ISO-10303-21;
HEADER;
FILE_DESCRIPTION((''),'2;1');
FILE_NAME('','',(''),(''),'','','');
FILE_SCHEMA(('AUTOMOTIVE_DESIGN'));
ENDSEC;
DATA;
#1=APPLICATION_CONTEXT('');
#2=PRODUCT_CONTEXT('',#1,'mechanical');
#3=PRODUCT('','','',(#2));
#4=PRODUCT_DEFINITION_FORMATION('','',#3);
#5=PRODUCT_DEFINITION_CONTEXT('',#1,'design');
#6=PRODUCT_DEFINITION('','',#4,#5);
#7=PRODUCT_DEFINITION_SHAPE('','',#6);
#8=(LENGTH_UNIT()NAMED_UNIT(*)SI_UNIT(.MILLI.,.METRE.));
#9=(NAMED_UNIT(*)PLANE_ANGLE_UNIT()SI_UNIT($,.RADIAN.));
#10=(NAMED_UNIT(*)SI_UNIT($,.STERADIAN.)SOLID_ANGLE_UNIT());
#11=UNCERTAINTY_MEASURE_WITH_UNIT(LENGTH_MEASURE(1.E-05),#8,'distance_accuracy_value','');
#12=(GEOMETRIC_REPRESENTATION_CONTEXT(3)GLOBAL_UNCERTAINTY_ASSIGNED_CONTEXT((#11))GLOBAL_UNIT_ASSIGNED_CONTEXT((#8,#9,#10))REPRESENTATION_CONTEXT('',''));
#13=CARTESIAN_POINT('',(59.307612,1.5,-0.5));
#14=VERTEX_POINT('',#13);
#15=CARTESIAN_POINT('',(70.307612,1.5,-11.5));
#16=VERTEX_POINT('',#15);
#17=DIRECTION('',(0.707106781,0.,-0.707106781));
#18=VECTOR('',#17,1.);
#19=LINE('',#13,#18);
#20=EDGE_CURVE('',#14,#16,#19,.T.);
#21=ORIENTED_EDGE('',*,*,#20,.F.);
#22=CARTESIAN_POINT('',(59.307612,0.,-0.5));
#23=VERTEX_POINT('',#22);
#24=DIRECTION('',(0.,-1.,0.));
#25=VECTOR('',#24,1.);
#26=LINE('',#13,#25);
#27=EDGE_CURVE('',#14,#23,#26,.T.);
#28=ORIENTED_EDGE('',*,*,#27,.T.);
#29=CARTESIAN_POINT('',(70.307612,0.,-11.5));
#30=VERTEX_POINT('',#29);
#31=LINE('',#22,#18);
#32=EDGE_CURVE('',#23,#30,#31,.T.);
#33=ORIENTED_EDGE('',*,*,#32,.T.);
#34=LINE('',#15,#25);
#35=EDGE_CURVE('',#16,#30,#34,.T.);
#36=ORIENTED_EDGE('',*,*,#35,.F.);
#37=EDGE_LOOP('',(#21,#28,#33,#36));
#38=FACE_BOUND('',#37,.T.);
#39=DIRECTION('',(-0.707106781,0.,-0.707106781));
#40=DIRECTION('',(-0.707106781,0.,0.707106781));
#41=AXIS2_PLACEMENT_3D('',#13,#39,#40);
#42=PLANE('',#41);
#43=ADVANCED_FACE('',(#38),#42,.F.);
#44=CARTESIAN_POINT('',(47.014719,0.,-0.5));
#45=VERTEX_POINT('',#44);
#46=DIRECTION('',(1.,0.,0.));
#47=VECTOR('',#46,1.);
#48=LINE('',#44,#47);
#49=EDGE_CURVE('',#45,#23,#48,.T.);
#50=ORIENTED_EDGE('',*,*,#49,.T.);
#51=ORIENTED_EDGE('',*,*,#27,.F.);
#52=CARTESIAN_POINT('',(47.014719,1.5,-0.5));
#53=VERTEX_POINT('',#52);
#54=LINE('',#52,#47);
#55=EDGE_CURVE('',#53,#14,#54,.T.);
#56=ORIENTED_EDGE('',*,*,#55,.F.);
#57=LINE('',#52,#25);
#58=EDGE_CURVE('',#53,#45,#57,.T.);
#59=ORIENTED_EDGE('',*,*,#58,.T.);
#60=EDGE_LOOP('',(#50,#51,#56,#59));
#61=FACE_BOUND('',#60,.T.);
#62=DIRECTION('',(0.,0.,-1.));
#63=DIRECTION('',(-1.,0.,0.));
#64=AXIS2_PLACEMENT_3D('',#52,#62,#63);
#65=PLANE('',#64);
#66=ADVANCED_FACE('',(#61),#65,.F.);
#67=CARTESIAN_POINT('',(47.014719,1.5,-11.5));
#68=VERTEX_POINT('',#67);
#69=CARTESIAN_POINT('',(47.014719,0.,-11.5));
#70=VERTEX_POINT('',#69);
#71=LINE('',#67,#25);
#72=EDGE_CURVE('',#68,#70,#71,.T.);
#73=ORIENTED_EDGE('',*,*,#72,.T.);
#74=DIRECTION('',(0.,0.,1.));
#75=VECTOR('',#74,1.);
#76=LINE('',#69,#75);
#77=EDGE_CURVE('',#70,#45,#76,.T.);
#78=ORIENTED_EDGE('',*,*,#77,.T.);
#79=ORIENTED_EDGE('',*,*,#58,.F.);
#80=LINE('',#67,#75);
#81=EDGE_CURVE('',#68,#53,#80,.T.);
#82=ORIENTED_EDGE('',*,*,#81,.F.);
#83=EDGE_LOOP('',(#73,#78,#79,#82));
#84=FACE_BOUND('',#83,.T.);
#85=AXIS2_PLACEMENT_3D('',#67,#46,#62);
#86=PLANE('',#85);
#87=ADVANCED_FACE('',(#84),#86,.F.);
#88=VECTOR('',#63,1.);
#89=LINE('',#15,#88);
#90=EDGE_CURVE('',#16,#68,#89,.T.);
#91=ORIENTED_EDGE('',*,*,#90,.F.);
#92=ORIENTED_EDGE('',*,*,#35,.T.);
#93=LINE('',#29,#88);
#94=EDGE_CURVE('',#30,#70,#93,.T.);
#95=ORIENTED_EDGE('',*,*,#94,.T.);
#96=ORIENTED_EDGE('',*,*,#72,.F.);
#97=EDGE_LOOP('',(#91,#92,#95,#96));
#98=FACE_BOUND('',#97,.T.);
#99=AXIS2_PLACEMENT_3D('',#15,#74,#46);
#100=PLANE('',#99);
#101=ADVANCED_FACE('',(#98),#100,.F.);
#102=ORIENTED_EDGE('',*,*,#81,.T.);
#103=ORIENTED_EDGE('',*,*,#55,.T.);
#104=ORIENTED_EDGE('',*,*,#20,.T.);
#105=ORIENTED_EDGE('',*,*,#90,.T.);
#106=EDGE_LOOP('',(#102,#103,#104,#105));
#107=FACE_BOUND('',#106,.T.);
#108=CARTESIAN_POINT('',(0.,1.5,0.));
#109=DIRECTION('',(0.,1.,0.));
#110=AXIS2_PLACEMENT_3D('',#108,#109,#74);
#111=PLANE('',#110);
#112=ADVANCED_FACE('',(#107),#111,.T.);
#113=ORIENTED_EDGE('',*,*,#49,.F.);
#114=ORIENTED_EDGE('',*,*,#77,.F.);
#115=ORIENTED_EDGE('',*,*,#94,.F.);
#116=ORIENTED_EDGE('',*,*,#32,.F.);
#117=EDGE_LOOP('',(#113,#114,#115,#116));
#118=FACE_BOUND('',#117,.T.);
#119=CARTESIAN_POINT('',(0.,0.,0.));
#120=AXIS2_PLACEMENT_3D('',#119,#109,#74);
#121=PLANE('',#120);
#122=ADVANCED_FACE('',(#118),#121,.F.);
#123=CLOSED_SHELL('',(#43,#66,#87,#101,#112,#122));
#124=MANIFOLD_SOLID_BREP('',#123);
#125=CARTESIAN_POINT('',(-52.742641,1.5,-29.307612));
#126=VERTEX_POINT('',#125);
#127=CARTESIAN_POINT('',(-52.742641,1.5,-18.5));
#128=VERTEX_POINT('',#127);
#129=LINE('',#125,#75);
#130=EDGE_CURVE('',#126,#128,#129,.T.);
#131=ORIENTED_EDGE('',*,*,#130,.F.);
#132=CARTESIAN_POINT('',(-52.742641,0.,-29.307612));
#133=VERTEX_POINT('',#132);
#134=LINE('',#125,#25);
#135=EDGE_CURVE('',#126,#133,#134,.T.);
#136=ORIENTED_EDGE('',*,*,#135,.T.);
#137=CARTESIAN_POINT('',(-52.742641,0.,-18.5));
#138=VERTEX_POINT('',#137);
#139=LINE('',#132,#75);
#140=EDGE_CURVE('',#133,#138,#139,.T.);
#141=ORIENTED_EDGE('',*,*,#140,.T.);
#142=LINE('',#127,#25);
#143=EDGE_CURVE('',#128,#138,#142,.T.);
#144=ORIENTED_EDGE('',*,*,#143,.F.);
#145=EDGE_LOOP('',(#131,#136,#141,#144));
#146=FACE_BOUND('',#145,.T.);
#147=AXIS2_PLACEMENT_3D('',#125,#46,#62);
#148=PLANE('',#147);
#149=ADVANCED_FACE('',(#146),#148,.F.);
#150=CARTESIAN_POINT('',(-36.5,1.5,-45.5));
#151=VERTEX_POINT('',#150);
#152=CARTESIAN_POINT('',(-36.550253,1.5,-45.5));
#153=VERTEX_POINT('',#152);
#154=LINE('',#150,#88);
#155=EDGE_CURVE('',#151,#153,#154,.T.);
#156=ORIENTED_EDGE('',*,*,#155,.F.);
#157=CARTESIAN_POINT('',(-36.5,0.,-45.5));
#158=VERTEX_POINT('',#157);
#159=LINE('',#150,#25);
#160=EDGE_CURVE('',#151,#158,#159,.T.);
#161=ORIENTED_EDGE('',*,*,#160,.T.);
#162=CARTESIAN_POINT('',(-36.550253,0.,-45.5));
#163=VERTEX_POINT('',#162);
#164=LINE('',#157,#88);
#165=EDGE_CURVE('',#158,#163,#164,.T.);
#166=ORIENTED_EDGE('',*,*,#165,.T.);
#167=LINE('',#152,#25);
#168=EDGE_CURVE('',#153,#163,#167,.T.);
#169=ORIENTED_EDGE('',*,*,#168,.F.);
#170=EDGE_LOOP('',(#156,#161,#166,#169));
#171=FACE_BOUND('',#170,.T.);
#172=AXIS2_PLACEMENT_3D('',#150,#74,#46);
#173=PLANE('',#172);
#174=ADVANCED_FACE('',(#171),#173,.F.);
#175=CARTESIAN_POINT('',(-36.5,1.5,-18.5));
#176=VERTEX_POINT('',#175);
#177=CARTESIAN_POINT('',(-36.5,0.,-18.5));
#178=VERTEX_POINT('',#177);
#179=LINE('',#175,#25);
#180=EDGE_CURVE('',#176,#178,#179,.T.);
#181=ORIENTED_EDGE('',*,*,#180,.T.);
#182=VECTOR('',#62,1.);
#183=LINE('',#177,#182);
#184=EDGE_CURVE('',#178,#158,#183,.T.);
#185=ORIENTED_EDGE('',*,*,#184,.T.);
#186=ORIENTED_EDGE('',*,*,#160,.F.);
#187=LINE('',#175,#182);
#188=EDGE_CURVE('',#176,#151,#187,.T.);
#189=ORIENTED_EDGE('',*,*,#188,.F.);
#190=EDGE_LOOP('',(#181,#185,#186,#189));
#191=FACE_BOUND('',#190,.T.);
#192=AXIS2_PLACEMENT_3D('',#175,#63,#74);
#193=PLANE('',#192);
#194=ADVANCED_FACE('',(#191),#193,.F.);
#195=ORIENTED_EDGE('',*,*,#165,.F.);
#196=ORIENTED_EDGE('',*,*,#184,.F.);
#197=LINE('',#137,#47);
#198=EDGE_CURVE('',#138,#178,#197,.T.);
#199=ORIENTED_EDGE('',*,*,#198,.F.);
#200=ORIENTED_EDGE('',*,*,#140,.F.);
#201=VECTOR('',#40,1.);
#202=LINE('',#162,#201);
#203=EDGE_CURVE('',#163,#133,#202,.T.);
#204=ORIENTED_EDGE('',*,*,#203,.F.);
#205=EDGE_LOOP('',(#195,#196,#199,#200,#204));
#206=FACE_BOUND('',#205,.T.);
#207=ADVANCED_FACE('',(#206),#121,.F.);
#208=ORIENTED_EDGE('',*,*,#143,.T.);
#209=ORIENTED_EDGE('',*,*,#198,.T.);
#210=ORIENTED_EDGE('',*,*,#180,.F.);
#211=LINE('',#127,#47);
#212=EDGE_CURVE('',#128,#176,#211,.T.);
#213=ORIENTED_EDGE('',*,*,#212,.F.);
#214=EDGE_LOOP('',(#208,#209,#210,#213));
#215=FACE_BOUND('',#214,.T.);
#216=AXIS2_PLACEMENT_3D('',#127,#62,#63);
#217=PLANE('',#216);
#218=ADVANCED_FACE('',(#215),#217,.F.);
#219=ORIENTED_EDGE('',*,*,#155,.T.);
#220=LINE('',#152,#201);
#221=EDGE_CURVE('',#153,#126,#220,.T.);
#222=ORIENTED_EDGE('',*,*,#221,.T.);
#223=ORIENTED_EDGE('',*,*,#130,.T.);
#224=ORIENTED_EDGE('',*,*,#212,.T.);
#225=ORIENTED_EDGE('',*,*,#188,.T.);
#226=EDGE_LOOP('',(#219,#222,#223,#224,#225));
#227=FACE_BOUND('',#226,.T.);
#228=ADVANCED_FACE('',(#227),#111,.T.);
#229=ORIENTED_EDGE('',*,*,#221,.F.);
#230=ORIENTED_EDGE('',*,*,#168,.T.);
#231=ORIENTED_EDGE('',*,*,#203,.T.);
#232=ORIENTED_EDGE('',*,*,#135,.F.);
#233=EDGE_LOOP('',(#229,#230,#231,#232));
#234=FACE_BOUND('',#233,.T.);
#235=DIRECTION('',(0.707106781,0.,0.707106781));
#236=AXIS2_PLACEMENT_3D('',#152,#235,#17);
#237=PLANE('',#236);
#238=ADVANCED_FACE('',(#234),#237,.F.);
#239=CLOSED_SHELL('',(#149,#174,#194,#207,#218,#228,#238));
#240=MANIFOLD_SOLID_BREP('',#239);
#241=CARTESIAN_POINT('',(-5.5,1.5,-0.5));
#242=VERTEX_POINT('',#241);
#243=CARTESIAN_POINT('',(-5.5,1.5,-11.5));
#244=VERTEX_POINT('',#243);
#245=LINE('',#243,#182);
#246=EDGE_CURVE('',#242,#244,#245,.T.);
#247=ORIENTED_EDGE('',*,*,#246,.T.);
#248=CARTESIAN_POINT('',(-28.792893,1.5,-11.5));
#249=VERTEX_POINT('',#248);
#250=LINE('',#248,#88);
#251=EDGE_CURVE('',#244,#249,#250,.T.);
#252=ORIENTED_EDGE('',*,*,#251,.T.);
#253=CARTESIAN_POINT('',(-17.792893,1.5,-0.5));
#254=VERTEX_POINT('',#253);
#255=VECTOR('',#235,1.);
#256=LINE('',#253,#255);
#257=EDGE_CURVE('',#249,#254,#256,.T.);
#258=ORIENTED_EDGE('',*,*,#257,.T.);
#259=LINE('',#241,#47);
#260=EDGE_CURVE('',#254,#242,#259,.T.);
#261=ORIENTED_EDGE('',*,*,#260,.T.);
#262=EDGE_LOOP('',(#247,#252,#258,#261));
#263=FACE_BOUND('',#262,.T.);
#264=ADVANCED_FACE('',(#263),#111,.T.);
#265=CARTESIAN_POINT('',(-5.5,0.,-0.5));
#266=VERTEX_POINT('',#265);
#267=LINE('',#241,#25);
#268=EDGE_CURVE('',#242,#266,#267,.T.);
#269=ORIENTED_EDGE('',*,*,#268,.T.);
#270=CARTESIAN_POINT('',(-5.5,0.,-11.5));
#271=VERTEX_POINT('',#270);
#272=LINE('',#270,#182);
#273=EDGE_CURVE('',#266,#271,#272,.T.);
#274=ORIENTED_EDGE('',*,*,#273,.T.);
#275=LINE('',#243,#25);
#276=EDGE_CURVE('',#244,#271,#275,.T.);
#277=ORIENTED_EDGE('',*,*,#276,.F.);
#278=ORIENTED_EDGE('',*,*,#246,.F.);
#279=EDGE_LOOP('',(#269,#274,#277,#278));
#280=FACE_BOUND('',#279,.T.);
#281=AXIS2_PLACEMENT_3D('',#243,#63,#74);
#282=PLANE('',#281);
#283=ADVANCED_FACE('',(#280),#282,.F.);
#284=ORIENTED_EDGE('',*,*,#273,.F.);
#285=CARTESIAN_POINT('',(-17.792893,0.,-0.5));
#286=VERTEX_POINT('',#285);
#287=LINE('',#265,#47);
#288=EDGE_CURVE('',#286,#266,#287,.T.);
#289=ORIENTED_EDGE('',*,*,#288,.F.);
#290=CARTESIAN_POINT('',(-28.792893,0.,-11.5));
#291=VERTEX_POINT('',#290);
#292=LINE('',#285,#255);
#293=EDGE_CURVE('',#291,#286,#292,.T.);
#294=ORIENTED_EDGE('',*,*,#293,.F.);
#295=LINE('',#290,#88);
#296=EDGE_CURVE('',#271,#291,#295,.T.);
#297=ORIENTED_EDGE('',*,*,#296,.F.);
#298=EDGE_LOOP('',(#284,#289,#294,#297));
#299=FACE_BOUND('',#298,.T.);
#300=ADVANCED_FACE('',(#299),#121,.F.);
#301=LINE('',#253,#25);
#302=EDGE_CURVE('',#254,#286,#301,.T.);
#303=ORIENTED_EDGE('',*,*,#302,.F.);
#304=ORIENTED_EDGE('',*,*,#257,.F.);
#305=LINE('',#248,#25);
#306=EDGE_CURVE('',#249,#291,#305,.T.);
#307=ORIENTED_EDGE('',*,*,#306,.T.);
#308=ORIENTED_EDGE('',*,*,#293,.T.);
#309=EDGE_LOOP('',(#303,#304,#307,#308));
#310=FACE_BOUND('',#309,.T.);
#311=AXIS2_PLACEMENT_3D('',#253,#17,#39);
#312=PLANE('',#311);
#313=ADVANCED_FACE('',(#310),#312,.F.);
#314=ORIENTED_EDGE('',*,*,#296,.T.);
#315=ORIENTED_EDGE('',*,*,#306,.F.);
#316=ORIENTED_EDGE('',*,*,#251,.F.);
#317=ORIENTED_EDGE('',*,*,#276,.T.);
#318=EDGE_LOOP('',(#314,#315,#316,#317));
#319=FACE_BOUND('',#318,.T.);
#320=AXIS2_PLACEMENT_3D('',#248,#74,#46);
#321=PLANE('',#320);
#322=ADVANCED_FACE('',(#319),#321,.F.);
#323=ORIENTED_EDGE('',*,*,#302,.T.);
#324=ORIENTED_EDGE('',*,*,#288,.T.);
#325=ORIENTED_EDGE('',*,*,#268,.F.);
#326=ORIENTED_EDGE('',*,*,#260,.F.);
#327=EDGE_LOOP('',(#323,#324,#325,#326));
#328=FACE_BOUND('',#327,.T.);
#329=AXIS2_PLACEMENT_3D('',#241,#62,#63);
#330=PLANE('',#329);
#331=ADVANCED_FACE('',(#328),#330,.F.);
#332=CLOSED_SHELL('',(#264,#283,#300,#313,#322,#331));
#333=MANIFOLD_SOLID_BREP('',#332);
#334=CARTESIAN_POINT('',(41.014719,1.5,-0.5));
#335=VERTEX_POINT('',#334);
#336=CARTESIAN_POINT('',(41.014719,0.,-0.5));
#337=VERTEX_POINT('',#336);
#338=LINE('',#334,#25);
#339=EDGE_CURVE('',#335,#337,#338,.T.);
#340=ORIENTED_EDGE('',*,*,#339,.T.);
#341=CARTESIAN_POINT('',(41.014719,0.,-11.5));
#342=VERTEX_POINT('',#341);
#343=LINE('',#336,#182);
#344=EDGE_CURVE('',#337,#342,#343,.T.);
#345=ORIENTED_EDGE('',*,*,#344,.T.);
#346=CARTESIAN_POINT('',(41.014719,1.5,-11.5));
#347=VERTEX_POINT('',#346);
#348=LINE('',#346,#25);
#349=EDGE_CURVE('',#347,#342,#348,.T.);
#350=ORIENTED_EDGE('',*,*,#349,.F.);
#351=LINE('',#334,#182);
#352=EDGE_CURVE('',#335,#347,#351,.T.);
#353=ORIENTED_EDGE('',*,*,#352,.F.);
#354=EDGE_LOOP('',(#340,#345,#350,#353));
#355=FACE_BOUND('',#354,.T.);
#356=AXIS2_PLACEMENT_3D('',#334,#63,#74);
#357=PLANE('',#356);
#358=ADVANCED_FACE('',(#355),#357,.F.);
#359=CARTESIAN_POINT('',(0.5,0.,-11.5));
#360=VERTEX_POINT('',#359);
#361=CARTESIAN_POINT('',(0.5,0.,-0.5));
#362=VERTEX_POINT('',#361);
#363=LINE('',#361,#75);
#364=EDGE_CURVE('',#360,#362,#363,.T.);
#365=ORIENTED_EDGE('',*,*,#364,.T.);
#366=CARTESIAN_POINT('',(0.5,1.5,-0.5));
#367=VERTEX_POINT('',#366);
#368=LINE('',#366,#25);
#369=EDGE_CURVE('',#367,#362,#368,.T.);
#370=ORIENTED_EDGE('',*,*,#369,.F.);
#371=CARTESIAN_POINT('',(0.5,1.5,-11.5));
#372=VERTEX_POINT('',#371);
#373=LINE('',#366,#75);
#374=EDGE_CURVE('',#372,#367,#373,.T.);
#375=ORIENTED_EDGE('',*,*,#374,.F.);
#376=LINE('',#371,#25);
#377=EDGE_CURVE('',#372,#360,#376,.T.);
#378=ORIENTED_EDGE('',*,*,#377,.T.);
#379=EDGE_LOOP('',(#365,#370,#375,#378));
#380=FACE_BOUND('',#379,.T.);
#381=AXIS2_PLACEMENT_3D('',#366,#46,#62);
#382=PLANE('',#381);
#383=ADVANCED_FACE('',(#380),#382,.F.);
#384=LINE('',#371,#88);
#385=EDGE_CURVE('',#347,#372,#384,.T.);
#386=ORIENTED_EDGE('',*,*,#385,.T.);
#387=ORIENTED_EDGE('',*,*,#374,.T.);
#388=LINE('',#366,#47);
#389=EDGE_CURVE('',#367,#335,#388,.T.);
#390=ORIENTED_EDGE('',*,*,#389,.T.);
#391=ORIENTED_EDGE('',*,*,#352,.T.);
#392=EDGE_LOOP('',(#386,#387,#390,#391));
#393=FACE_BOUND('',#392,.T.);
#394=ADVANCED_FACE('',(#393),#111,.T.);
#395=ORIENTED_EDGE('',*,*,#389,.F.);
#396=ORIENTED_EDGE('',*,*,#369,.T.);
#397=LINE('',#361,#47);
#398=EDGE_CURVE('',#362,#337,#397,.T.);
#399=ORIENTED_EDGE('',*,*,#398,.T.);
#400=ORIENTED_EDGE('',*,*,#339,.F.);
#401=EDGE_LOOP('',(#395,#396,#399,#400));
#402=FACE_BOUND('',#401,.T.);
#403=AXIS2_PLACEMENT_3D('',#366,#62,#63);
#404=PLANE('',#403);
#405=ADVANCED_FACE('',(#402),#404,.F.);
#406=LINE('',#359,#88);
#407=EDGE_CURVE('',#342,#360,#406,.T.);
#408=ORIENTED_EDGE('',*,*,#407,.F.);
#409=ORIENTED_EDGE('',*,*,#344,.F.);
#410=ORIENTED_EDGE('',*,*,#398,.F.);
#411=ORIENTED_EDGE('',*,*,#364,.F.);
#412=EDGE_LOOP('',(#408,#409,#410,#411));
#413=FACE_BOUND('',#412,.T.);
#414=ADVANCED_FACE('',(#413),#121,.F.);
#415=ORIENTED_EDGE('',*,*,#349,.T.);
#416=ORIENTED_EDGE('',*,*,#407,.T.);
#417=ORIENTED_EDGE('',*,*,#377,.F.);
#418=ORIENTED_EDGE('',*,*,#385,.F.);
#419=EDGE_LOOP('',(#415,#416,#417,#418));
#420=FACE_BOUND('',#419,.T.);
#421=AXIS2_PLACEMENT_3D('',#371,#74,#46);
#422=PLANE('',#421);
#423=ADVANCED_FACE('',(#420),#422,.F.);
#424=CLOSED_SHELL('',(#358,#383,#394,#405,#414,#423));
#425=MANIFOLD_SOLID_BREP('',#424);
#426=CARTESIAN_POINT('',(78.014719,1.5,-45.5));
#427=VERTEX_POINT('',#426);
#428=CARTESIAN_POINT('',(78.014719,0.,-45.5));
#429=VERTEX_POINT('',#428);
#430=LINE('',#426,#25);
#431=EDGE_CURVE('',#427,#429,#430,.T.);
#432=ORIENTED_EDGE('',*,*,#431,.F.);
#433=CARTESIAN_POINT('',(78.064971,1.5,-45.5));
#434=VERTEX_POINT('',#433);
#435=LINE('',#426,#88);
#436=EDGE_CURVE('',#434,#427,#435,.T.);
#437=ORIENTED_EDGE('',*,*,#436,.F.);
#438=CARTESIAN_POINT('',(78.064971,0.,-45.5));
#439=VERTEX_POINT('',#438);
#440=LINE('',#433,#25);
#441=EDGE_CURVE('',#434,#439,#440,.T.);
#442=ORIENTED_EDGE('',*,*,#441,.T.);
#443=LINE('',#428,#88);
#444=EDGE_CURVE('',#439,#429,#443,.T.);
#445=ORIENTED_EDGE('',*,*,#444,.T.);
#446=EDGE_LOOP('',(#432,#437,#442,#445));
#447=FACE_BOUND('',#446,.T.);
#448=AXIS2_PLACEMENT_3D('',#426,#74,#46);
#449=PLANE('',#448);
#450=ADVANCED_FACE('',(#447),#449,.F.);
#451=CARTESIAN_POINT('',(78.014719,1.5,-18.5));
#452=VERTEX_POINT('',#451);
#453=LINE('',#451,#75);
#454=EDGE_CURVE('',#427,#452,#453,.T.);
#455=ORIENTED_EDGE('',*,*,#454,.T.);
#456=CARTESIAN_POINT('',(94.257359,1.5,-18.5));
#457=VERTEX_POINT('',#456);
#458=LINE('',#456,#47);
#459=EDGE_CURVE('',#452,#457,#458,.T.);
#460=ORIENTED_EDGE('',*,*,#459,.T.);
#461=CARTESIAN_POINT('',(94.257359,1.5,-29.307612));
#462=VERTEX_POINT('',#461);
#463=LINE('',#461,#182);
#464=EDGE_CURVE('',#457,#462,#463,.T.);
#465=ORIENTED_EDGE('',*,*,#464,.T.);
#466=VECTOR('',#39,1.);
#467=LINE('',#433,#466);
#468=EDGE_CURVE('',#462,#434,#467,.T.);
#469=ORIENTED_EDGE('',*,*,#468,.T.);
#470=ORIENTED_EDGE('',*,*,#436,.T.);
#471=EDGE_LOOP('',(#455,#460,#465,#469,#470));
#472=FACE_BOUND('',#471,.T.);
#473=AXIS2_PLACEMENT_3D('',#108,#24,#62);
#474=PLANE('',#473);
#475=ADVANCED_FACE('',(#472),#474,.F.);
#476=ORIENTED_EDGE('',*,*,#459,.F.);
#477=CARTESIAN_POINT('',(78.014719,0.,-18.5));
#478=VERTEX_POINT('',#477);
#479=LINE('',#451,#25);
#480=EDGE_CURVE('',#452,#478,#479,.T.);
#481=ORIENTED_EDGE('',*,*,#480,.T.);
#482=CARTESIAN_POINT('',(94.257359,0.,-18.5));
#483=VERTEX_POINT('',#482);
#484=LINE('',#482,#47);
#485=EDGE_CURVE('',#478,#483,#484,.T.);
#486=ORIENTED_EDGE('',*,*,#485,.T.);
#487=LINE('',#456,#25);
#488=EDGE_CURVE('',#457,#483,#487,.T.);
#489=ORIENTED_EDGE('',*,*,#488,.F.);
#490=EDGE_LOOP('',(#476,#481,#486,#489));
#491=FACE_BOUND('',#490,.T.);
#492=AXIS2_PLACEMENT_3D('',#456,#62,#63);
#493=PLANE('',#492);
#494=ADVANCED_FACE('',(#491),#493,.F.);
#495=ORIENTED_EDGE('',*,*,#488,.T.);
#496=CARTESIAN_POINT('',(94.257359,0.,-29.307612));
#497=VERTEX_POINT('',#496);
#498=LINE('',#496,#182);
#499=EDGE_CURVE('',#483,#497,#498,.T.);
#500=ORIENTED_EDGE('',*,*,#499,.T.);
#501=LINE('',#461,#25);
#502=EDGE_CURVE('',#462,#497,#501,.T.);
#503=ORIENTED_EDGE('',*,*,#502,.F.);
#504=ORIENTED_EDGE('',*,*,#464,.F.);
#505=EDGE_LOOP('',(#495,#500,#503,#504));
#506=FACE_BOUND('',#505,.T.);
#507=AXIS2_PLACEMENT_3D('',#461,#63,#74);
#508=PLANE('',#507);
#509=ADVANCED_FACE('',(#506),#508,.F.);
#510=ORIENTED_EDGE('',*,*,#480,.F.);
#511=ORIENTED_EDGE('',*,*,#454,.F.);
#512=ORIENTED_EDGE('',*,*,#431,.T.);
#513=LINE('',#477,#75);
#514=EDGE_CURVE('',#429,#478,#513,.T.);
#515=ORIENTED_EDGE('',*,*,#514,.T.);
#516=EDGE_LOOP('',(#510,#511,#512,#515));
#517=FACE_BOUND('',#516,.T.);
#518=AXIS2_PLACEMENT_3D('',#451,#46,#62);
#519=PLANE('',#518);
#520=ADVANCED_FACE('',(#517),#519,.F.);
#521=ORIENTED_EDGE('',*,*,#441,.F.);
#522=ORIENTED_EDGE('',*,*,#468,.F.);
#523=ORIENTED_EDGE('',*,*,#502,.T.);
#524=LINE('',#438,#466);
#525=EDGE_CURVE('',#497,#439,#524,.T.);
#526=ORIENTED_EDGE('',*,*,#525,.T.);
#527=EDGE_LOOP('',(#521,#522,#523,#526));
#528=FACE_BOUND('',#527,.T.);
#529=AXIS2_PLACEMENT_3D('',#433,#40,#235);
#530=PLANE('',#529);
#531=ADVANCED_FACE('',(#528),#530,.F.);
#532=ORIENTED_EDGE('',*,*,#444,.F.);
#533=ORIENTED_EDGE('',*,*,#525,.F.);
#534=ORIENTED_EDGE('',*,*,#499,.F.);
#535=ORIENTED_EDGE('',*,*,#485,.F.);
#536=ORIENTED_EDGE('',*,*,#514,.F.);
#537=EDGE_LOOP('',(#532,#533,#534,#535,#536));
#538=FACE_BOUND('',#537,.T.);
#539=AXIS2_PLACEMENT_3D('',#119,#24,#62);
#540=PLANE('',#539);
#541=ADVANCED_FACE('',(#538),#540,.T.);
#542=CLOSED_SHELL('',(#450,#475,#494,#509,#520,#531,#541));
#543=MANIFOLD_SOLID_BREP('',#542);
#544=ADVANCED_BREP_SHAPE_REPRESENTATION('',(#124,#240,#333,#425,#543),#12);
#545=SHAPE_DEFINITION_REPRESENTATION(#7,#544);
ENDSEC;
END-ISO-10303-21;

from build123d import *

# Parameters (mm, degrees)
BOSS_EXTRUDE1_DEPTH   = 1.5
SKETCH1_W             = 40.514718626
SKETCH1_H             = 11
BOSS_EXTRUDE1_2_DEPTH = 1.5
BOSS_EXTRUDE1_3_DEPTH = 1.5
BOSS_EXTRUDE1_4_DEPTH = 1.5
BOSS_EXTRUDE1_5_DEPTH = 1.5


with BuildPart() as part:
    # Sketch1 → Boss-Extrude1 (new body)
    with BuildSketch(Plane(origin=(0, 0, 0), x_dir=(1, 0, 0), z_dir=(0, 1, 0))):
        Polygon((-36.5, 18.5), (-36.5, 45.5), (-36.550252532, 45.5), (-52.742640687, 29.307611845), (-52.742640687, 18.5), align=None)
    extrude(amount=BOSS_EXTRUDE1_DEPTH)


with BuildPart() as body_2:
    # Sketch1 → Boss-Extrude1 2 (new body)
    with BuildSketch(Plane(origin=(0, 0, 0), x_dir=(1, 0, 0), z_dir=(0, 1, 0))):
        with Locations((20.757359313, 6)):
            Rectangle(SKETCH1_W, SKETCH1_H)
    extrude(amount=BOSS_EXTRUDE1_2_DEPTH)


with BuildPart() as body_3:
    # Sketch1 → Boss-Extrude1 3 (new body)
    with BuildSketch(Plane(origin=(0, 0, 0), x_dir=(1, 0, 0), z_dir=(0, 1, 0))):
        Polygon((-17.792893219, 0.5), (-28.792893219, 11.5), (-5.5, 11.5), (-5.5, 0.5), align=None)
    extrude(amount=BOSS_EXTRUDE1_3_DEPTH)


with BuildPart() as body_4:
    # Sketch1 → Boss-Extrude1 4 (new body)
    with BuildSketch(Plane(origin=(0, 0, 0), x_dir=(1, 0, 0), z_dir=(0, 1, 0))):
        Polygon((47.014718626, 0.5), (59.307611845, 0.5), (70.307611845, 11.5), (47.014718626, 11.5), align=None)
    extrude(amount=BOSS_EXTRUDE1_4_DEPTH)


with BuildPart() as body_5:
    # Sketch1 → Boss-Extrude1 5 (new body)
    with BuildSketch(Plane(origin=(0, 0, 0), x_dir=(1, 0, 0), z_dir=(0, 1, 0))):
        Polygon((94.257359313, 18.5), (78.014718626, 18.5), (78.014718626, 45.5), (78.064971157, 45.5), (94.257359313, 29.307611845), align=None)
    extrude(amount=BOSS_EXTRUDE1_5_DEPTH)


solid = Compound([part.part, body_2.part, body_3.part, body_4.part, body_5.part])
